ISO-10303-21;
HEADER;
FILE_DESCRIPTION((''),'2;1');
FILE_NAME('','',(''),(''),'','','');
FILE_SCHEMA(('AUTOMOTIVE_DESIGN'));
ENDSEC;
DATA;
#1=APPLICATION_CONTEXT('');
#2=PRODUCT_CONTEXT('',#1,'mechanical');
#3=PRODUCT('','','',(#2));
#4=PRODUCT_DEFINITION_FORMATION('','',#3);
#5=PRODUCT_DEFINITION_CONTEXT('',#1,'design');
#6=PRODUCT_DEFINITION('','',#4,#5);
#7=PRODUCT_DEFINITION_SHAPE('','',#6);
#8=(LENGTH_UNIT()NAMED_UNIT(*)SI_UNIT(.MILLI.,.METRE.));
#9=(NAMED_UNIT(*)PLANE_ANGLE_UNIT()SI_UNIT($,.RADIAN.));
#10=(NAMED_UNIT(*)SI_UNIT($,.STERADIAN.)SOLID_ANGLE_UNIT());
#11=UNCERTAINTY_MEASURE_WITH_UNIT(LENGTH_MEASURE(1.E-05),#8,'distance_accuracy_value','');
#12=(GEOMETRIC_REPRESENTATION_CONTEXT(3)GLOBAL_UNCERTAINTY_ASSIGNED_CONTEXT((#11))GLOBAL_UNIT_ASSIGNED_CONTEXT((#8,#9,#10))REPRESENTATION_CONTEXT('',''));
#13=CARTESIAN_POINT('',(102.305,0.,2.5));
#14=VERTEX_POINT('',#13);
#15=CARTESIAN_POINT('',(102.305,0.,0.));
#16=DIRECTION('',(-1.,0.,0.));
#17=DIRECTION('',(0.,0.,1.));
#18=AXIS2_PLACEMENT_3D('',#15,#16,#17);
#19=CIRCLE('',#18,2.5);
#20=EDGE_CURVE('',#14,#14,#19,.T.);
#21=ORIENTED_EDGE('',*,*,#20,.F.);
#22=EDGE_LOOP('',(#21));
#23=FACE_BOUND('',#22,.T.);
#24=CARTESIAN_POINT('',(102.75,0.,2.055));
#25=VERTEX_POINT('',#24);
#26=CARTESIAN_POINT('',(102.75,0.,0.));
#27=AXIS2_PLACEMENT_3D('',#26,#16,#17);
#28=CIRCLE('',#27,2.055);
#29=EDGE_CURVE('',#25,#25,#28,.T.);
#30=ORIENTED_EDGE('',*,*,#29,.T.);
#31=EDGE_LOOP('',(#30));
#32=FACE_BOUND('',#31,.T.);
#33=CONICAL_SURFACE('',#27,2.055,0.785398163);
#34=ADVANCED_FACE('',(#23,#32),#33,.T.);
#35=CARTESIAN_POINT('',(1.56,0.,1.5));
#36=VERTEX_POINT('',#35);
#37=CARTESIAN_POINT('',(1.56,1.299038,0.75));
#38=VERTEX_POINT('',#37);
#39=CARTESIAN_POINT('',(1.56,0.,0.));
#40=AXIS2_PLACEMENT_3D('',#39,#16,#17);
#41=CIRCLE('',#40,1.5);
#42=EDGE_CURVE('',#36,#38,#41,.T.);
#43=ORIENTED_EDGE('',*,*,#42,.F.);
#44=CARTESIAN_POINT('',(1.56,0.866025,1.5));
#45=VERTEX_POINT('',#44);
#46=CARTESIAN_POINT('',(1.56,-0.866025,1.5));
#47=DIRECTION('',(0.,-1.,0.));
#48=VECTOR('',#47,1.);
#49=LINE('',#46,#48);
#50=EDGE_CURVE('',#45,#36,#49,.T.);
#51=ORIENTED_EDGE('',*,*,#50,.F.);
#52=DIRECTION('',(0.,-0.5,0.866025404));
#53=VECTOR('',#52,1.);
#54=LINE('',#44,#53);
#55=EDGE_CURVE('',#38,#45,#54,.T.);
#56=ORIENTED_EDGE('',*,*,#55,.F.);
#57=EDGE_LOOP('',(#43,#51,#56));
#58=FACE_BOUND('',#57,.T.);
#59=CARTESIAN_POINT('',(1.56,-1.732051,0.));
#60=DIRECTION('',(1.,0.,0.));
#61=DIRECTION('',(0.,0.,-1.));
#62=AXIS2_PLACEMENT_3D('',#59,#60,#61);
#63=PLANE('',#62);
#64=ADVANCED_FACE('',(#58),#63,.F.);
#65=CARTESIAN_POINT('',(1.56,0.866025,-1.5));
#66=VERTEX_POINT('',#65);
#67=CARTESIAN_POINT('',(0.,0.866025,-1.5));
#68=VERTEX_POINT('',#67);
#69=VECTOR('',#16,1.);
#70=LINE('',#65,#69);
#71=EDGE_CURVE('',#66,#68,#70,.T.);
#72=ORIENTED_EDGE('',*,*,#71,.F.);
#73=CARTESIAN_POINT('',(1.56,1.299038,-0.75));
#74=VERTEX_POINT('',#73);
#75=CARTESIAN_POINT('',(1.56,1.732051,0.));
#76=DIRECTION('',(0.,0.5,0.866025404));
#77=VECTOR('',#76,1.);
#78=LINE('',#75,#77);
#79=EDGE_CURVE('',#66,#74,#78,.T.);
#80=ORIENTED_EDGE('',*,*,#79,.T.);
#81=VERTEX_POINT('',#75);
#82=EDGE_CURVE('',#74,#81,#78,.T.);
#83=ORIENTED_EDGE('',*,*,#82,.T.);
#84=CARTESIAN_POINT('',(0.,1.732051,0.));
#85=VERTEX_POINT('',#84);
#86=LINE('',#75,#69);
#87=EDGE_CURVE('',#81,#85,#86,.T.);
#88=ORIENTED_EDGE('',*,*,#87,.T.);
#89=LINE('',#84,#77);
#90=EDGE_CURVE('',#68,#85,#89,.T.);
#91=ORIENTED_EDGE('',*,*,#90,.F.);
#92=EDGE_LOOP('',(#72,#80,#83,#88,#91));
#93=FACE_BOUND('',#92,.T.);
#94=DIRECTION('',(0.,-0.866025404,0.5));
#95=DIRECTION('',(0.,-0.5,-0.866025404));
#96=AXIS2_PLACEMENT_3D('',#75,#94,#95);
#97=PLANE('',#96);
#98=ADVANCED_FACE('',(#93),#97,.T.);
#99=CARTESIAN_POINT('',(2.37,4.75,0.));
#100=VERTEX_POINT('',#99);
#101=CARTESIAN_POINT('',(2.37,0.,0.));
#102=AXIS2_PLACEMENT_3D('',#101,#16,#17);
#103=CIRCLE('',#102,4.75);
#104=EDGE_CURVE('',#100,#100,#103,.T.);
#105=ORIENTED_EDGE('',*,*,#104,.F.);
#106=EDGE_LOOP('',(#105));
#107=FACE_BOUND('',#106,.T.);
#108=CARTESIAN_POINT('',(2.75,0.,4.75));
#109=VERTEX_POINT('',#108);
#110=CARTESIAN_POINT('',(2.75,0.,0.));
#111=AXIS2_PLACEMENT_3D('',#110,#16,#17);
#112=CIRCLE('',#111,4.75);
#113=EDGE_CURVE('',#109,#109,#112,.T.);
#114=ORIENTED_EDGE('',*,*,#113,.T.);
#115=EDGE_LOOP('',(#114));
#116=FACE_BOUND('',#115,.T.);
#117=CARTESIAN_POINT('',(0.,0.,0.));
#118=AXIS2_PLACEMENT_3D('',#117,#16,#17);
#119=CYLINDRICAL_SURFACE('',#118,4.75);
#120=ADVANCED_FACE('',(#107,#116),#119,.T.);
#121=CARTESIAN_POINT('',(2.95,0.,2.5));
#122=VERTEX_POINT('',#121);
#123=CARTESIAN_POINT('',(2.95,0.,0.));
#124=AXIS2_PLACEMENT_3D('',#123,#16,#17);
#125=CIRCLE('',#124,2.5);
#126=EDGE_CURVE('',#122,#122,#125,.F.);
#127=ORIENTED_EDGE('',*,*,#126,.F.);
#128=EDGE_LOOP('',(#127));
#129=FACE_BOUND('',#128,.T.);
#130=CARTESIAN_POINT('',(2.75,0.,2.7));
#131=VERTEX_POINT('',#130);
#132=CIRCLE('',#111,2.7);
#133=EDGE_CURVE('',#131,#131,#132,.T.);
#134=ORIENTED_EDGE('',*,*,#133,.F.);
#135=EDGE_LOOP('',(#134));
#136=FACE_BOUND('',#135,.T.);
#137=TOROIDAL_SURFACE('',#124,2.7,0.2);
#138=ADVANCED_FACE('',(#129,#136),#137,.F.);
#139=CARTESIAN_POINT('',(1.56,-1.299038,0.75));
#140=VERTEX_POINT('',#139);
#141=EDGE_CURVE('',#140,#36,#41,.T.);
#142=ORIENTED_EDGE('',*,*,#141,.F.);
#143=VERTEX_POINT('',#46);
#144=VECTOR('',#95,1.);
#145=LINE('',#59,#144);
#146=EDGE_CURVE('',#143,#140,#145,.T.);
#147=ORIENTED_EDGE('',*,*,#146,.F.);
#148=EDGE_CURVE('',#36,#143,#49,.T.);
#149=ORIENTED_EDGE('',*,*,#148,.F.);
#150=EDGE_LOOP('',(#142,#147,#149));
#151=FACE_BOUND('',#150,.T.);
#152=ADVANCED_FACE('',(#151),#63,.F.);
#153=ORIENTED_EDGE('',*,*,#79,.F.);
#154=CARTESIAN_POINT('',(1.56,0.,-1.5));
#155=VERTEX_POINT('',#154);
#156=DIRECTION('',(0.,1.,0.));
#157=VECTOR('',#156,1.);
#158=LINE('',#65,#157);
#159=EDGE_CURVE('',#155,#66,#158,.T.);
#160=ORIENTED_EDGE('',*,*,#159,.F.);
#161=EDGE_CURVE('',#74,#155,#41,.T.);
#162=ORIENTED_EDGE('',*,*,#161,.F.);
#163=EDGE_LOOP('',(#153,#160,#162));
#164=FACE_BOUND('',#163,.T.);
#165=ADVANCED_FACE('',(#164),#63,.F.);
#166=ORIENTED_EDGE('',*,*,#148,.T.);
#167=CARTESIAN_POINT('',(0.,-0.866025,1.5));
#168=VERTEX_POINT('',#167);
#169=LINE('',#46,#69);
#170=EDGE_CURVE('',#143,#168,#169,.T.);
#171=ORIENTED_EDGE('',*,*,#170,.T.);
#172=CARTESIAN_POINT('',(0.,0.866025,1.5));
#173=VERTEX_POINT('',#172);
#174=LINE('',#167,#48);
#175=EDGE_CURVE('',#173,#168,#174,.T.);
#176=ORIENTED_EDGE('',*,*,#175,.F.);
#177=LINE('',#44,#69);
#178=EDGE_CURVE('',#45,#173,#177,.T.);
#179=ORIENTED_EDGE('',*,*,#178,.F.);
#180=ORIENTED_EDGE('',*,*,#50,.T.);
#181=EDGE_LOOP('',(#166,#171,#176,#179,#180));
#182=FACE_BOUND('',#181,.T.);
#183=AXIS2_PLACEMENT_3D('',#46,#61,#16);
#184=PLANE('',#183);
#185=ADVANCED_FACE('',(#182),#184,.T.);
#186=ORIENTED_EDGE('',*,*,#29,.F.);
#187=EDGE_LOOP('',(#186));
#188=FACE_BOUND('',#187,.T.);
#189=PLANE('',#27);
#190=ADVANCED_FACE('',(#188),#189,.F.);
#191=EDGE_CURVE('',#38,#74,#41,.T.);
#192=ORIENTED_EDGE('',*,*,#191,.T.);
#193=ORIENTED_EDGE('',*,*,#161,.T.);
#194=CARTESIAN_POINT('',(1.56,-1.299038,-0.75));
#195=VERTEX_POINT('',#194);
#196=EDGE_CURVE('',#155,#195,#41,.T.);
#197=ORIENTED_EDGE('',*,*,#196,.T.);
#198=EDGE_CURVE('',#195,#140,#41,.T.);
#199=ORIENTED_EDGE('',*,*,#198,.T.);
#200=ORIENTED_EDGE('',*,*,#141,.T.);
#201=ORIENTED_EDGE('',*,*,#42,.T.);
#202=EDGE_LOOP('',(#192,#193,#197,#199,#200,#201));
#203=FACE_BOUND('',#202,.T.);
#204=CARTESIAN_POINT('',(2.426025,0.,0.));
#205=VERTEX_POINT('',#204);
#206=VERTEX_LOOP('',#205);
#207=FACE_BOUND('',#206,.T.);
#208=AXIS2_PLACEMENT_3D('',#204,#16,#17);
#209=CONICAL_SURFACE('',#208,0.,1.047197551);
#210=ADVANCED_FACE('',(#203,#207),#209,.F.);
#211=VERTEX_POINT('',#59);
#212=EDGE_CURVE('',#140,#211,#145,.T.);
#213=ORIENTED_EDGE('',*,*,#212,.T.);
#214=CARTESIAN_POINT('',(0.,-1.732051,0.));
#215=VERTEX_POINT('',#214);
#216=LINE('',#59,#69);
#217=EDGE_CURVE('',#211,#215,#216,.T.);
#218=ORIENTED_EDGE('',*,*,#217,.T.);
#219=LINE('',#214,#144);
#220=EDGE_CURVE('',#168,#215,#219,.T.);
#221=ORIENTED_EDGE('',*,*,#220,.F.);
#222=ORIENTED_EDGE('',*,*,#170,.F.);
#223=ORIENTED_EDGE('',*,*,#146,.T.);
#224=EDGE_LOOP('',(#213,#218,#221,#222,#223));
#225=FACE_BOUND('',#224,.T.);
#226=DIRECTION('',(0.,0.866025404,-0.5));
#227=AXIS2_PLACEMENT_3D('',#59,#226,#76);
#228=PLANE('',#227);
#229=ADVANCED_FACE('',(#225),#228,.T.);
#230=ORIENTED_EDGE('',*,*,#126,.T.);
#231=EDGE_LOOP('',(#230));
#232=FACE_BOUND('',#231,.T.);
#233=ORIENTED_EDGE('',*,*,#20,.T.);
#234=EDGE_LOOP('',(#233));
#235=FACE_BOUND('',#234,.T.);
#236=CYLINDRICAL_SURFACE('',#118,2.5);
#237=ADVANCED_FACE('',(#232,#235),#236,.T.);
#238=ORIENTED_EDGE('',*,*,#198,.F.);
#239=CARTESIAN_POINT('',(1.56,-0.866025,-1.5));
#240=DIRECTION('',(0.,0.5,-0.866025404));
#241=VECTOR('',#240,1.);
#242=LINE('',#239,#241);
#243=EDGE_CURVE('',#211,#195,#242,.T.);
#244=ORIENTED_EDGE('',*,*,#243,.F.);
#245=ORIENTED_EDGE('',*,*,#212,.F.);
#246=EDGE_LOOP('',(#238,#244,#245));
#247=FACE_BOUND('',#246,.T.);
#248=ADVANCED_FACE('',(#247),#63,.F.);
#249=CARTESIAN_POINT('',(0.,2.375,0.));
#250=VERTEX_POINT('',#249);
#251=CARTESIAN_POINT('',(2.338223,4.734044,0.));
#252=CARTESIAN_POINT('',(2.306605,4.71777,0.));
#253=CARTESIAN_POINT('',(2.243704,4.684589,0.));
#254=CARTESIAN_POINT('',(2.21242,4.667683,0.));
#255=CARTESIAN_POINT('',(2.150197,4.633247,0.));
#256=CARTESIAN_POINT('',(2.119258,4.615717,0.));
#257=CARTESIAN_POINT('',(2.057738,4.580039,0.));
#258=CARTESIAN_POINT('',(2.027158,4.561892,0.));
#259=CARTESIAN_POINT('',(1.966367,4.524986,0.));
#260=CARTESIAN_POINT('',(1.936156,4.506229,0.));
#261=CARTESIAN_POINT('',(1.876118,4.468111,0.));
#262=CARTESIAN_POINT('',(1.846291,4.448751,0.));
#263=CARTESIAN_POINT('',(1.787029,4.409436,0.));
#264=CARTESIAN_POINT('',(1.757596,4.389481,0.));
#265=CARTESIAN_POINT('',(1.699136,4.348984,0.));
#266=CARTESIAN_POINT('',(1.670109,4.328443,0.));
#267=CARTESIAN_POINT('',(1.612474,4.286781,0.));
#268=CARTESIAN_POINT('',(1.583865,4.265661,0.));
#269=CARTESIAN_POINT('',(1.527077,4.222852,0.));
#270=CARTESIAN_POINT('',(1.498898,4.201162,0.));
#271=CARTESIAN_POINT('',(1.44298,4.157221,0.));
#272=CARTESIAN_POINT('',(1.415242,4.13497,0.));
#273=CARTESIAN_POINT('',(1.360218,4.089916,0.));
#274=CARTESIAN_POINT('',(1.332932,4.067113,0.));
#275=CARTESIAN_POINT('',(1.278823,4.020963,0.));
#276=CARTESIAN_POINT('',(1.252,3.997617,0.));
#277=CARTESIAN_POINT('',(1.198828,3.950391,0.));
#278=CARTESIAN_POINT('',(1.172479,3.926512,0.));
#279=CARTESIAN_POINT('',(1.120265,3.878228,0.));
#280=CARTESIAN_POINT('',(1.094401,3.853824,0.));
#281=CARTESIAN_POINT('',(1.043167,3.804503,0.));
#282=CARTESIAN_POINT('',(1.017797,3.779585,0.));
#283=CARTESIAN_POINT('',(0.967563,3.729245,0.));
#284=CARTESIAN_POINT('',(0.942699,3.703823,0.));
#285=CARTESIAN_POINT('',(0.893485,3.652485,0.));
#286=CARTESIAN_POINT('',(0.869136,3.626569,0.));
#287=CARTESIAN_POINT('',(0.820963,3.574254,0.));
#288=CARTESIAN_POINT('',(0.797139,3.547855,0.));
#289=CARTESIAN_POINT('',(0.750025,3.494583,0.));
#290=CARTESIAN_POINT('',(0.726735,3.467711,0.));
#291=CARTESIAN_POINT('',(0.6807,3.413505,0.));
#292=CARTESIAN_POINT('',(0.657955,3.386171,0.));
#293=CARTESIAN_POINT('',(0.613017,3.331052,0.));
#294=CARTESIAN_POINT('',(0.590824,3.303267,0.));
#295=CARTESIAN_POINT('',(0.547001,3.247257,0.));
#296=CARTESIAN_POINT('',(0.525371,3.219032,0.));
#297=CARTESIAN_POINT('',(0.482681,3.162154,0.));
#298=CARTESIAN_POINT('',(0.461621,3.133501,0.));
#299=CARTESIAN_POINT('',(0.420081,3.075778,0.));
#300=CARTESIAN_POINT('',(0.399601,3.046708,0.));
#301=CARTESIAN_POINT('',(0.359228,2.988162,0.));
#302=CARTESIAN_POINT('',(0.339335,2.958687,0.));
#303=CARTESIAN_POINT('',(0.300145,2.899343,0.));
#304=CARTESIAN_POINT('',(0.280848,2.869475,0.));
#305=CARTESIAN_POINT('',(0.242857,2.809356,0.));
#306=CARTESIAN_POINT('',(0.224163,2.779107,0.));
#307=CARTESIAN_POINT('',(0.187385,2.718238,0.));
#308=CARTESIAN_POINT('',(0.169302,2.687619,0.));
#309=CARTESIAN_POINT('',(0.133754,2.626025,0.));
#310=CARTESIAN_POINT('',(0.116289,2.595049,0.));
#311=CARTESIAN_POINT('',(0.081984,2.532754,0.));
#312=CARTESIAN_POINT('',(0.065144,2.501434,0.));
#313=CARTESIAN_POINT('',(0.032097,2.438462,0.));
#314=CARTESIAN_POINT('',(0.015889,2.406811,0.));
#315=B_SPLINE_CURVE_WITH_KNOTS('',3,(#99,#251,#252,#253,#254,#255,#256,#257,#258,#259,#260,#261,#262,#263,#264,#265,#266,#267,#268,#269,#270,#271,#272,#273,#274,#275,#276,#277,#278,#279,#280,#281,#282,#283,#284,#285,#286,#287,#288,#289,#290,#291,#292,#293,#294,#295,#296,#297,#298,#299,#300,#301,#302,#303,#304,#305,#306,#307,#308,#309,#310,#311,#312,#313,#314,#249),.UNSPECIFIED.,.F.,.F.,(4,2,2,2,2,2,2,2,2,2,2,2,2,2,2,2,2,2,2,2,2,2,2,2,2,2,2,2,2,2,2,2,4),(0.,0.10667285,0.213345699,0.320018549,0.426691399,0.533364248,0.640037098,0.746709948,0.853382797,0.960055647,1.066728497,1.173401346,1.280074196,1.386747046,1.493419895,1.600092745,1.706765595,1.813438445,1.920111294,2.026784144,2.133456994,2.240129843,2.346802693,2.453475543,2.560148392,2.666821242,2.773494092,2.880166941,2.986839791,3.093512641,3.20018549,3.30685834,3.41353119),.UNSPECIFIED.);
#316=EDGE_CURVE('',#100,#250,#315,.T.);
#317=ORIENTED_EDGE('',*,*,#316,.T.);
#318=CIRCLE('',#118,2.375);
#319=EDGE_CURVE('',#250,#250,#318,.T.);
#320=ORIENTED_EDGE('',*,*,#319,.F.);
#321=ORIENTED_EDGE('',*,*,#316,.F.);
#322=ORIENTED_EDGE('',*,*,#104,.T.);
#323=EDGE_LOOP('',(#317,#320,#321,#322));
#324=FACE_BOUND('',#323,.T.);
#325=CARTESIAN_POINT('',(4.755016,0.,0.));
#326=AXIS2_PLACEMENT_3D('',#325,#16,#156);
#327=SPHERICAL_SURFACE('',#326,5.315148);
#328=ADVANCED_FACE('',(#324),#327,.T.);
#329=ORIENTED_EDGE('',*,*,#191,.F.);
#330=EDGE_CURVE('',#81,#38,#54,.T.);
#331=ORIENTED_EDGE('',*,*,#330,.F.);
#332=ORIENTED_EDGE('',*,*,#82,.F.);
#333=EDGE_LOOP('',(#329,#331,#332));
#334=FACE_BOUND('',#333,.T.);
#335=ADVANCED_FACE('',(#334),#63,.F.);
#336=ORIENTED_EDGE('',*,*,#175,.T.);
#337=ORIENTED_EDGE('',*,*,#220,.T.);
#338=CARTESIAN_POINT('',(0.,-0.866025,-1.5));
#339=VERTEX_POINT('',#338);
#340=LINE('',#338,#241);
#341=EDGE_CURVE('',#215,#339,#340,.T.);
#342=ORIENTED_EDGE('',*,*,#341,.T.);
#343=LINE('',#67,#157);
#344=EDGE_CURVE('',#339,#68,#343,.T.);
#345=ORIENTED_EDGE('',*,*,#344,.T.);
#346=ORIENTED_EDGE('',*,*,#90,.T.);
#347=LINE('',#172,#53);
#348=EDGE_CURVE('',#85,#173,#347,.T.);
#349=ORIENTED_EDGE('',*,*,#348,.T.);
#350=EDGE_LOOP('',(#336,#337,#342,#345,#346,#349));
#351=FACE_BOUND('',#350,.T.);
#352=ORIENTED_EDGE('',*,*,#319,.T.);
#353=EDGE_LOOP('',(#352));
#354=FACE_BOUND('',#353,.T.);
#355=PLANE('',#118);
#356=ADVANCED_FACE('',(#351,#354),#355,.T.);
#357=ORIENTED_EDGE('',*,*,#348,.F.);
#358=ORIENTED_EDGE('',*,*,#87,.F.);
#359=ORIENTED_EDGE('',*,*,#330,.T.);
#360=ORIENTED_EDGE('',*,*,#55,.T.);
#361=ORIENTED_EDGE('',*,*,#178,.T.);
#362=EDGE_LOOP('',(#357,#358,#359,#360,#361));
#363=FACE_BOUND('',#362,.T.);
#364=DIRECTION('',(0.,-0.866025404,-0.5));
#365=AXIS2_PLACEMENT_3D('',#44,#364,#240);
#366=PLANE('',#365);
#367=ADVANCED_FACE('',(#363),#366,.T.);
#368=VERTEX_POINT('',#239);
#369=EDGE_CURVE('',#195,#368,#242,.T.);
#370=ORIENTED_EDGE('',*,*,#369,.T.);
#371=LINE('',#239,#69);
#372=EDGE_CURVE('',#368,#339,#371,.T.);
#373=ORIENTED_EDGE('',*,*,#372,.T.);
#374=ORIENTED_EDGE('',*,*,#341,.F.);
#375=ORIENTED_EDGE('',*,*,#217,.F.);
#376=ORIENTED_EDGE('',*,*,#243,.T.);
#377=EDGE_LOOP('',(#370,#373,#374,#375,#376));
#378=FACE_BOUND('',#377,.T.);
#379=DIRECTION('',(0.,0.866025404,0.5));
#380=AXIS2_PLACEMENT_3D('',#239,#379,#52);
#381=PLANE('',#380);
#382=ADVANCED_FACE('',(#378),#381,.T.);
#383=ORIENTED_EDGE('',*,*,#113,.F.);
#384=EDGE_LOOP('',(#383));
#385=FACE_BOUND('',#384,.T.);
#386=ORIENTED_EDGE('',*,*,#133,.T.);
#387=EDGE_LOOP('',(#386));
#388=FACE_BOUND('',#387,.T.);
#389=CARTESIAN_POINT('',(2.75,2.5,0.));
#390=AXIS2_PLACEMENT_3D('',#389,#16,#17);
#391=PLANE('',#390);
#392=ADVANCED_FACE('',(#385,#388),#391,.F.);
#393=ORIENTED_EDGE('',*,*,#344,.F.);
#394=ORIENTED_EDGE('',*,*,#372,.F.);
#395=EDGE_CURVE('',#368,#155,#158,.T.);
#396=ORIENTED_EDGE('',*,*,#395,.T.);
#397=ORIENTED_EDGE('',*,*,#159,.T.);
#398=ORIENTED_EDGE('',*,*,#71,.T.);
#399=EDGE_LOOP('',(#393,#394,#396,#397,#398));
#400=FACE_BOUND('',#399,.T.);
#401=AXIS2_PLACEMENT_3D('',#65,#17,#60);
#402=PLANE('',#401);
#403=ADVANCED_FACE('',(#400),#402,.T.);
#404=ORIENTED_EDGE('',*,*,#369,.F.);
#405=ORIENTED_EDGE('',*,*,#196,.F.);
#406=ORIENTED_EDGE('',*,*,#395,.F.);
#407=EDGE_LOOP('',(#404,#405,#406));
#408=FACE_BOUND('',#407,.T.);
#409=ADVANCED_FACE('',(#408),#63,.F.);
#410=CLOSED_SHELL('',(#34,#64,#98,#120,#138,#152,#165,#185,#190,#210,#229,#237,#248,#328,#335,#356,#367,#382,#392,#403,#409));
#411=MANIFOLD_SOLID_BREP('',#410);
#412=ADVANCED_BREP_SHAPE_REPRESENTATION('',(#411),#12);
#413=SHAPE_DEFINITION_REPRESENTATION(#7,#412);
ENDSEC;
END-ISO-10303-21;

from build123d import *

# Parameters (mm, degrees)
FILLET1_R   = 0.2
HEX_2_DEPTH = 1.56


with BuildPart() as part:
    # BodySke → BaseBody (revolve)
    with BuildSketch(Plane.XY, mode=Mode.PRIVATE) as basebody_sk:
        with BuildLine():
            Line((102.75, 0), (102.75, 2.055))
            Line((102.75, 2.055), (102.305, 2.5))
            Line((102.305, 2.5), (2.75, 2.5))
            Line((2.75, 2.5), (2.75, 4.75))
            Line((2.75, 4.75), (2.37, 4.75))
            ThreePointArc((2.37, 4.75), (0.992680215, 3.754414901), (0, 2.375))
            Line((0, 2.375), (0, 0))
            Line((0, 0), (102.75, 0))
        make_face()
    revolve(basebody_sk.sketch.rotate(Axis((0, 0, 0), (1, 0, 0)), 90), axis=Axis((0, 0, 0), (1, 0, 0)))

    # Fillet1
    fillet1_edges = [part.edges().sort_by_distance(p)[0] for p in [
        (2.75, 0, -2.5),
    ]]
    fillet(fillet1_edges, radius=FILLET1_R)

    # Sketch2 → PreBroach (revolve, cut)
    with BuildSketch(Plane.XY, mode=Mode.PRIVATE) as prebroach_sk:
        Polygon((0, 1.5), (1.56, 1.5), (2.426025404, 0), (0, 0), align=None)
    revolve(prebroach_sk.sketch.rotate(Axis((0, 0, 0), (1, 0, 0)), 90), axis=Axis((0, 0, 0), (1, 0, 0)), mode=Mode.SUBTRACT)

    # Sketch3 → Hex 2 (cut)
    with BuildSketch(Plane(origin=(0, 0, 0), x_dir=(0, 0, -1), z_dir=(1, 0, 0))):
        Polygon((-1.5, -0.866025404), (-1.5, 0.866025404), (0, 1.732050808), (1.5, 0.866025404), (1.5, -0.866025404), (0, -1.732050808), align=None)
    extrude(amount=HEX_2_DEPTH, mode=Mode.SUBTRACT)


solid = part.part
